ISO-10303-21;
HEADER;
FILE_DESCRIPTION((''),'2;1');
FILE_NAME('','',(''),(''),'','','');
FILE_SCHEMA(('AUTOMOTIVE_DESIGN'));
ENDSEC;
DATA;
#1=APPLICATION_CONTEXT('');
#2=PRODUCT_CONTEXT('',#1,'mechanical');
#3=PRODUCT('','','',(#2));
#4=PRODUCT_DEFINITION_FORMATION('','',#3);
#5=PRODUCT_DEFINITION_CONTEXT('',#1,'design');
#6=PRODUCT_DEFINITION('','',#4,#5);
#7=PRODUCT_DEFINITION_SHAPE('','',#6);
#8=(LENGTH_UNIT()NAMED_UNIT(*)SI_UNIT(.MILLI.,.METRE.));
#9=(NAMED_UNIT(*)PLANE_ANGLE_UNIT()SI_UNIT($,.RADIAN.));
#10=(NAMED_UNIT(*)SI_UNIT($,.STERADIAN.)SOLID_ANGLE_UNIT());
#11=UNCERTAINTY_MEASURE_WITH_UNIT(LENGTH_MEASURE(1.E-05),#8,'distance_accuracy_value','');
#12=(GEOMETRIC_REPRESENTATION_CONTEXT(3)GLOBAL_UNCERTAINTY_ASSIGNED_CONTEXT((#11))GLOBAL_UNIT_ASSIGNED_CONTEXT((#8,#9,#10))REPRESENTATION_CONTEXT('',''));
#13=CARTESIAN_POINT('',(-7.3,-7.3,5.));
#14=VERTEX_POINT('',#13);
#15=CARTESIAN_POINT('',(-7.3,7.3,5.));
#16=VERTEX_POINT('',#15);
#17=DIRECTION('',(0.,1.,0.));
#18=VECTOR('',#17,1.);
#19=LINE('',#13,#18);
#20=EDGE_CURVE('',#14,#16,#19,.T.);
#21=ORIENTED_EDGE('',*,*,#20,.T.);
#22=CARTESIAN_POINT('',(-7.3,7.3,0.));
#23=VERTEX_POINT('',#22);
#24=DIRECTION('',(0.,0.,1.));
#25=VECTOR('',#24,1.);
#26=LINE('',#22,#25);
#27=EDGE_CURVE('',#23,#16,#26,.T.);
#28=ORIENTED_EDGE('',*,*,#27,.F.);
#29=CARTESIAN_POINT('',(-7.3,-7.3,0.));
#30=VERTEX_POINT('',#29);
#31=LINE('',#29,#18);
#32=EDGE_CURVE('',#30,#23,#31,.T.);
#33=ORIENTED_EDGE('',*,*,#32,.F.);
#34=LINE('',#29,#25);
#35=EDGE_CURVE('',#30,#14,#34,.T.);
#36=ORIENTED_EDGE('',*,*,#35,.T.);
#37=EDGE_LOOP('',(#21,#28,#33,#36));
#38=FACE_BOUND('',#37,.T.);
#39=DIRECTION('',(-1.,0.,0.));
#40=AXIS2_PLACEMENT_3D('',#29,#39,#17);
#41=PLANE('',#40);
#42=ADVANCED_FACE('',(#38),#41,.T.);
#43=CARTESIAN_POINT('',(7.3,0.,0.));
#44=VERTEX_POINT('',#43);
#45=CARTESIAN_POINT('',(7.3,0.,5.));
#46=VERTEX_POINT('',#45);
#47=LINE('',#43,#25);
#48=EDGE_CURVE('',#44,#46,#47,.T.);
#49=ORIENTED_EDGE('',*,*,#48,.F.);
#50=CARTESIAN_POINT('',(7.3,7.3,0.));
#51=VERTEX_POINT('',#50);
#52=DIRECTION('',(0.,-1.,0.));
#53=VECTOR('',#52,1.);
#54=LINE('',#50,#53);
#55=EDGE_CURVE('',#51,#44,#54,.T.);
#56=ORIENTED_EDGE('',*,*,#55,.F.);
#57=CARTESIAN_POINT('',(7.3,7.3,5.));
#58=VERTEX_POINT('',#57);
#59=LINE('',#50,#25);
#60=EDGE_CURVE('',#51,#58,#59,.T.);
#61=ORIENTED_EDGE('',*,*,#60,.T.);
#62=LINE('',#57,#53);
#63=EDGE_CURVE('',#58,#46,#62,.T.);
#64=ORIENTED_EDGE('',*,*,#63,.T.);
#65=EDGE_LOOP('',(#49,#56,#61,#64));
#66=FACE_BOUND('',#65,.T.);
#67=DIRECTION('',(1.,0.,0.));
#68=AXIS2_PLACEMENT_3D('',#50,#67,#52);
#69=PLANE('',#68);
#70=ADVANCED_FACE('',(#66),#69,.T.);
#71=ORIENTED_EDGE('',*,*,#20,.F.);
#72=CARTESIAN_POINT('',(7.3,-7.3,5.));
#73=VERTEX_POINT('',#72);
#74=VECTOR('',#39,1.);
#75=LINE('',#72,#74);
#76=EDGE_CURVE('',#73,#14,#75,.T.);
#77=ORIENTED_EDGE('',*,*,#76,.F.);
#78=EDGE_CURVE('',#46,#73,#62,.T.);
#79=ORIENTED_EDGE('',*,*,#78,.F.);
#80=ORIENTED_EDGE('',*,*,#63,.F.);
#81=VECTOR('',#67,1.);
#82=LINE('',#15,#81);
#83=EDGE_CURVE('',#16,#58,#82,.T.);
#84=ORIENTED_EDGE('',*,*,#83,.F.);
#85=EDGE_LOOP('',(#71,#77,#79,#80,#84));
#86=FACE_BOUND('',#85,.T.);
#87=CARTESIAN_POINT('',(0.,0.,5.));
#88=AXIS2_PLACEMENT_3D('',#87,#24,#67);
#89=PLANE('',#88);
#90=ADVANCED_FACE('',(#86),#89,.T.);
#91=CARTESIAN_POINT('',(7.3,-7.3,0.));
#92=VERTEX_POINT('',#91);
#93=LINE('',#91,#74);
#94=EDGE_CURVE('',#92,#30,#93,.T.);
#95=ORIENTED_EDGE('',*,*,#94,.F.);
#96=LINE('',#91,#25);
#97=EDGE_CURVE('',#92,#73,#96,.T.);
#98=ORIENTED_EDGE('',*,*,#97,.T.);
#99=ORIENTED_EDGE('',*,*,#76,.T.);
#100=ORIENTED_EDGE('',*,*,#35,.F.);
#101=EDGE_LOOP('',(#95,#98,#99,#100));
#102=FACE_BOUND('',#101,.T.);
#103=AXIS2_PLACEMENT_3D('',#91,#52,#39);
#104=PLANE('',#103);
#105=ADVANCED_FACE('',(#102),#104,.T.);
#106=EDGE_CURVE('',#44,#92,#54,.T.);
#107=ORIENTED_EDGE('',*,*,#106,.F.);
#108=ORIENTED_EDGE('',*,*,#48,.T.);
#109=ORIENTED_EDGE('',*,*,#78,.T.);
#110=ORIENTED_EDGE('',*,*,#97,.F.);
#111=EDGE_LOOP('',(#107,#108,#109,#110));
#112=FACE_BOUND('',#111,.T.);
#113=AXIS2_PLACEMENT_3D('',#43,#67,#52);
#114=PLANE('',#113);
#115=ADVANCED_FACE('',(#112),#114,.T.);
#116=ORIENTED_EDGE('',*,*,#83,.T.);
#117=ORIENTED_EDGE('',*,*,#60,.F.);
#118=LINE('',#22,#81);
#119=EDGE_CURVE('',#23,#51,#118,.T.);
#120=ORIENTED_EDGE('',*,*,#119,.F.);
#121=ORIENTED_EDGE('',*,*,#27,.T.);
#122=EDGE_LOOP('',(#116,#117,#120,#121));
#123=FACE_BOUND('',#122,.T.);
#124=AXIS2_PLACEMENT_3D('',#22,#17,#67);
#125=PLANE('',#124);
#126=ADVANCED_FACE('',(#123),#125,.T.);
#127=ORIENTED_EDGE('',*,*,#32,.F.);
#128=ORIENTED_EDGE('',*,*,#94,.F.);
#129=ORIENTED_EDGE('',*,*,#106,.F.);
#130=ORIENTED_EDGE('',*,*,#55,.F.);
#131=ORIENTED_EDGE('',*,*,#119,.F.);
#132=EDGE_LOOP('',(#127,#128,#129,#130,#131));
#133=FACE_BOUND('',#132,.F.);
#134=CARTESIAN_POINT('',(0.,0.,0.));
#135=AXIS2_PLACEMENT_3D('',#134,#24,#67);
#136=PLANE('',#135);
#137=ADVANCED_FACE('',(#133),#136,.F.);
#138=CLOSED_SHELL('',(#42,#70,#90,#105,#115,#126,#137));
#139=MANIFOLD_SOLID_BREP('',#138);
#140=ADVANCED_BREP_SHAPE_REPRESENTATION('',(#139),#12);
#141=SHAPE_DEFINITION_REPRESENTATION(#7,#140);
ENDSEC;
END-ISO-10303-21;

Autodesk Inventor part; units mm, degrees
ref_plane "YZ Plane" through (0, 0, 0) normal (1, 0, 0) x (0, 1, 0)
ref_plane "XZ Plane" through (0, 0, 0) normal (0, 1, 0) x (-1, 0, 0)
ref_plane "XY Plane" through (0, 0, 0) normal (0, 0, 1) x (1, 0, 0)
sketch "Sketch1" plane through (0, 0, 0) normal (0, 0, 1) x (1, 0, 0)
  line L0 (0, 5.7632) -> (0, -6.6468)
  line L1 (-5.0332, 0) -> (7.4153, 0)
  line L2 (-7.3, 7.3) -> (7.3, 7.3)
  line L3 (7.3, 7.3) -> (7.3, -7.3)
  line L4 (7.3, -7.3) -> (-7.3, -7.3)
  line L5 (-7.3, -7.3) -> (-7.3, 7.3)
  point P0 (0, 0)
  dimension "d1" = 14.6
  dimension "d2" = 14.6
extrude "Extrusion1" add sketch "Sketch1" along normal blind 5
properties part number "endeffectorconnector"
